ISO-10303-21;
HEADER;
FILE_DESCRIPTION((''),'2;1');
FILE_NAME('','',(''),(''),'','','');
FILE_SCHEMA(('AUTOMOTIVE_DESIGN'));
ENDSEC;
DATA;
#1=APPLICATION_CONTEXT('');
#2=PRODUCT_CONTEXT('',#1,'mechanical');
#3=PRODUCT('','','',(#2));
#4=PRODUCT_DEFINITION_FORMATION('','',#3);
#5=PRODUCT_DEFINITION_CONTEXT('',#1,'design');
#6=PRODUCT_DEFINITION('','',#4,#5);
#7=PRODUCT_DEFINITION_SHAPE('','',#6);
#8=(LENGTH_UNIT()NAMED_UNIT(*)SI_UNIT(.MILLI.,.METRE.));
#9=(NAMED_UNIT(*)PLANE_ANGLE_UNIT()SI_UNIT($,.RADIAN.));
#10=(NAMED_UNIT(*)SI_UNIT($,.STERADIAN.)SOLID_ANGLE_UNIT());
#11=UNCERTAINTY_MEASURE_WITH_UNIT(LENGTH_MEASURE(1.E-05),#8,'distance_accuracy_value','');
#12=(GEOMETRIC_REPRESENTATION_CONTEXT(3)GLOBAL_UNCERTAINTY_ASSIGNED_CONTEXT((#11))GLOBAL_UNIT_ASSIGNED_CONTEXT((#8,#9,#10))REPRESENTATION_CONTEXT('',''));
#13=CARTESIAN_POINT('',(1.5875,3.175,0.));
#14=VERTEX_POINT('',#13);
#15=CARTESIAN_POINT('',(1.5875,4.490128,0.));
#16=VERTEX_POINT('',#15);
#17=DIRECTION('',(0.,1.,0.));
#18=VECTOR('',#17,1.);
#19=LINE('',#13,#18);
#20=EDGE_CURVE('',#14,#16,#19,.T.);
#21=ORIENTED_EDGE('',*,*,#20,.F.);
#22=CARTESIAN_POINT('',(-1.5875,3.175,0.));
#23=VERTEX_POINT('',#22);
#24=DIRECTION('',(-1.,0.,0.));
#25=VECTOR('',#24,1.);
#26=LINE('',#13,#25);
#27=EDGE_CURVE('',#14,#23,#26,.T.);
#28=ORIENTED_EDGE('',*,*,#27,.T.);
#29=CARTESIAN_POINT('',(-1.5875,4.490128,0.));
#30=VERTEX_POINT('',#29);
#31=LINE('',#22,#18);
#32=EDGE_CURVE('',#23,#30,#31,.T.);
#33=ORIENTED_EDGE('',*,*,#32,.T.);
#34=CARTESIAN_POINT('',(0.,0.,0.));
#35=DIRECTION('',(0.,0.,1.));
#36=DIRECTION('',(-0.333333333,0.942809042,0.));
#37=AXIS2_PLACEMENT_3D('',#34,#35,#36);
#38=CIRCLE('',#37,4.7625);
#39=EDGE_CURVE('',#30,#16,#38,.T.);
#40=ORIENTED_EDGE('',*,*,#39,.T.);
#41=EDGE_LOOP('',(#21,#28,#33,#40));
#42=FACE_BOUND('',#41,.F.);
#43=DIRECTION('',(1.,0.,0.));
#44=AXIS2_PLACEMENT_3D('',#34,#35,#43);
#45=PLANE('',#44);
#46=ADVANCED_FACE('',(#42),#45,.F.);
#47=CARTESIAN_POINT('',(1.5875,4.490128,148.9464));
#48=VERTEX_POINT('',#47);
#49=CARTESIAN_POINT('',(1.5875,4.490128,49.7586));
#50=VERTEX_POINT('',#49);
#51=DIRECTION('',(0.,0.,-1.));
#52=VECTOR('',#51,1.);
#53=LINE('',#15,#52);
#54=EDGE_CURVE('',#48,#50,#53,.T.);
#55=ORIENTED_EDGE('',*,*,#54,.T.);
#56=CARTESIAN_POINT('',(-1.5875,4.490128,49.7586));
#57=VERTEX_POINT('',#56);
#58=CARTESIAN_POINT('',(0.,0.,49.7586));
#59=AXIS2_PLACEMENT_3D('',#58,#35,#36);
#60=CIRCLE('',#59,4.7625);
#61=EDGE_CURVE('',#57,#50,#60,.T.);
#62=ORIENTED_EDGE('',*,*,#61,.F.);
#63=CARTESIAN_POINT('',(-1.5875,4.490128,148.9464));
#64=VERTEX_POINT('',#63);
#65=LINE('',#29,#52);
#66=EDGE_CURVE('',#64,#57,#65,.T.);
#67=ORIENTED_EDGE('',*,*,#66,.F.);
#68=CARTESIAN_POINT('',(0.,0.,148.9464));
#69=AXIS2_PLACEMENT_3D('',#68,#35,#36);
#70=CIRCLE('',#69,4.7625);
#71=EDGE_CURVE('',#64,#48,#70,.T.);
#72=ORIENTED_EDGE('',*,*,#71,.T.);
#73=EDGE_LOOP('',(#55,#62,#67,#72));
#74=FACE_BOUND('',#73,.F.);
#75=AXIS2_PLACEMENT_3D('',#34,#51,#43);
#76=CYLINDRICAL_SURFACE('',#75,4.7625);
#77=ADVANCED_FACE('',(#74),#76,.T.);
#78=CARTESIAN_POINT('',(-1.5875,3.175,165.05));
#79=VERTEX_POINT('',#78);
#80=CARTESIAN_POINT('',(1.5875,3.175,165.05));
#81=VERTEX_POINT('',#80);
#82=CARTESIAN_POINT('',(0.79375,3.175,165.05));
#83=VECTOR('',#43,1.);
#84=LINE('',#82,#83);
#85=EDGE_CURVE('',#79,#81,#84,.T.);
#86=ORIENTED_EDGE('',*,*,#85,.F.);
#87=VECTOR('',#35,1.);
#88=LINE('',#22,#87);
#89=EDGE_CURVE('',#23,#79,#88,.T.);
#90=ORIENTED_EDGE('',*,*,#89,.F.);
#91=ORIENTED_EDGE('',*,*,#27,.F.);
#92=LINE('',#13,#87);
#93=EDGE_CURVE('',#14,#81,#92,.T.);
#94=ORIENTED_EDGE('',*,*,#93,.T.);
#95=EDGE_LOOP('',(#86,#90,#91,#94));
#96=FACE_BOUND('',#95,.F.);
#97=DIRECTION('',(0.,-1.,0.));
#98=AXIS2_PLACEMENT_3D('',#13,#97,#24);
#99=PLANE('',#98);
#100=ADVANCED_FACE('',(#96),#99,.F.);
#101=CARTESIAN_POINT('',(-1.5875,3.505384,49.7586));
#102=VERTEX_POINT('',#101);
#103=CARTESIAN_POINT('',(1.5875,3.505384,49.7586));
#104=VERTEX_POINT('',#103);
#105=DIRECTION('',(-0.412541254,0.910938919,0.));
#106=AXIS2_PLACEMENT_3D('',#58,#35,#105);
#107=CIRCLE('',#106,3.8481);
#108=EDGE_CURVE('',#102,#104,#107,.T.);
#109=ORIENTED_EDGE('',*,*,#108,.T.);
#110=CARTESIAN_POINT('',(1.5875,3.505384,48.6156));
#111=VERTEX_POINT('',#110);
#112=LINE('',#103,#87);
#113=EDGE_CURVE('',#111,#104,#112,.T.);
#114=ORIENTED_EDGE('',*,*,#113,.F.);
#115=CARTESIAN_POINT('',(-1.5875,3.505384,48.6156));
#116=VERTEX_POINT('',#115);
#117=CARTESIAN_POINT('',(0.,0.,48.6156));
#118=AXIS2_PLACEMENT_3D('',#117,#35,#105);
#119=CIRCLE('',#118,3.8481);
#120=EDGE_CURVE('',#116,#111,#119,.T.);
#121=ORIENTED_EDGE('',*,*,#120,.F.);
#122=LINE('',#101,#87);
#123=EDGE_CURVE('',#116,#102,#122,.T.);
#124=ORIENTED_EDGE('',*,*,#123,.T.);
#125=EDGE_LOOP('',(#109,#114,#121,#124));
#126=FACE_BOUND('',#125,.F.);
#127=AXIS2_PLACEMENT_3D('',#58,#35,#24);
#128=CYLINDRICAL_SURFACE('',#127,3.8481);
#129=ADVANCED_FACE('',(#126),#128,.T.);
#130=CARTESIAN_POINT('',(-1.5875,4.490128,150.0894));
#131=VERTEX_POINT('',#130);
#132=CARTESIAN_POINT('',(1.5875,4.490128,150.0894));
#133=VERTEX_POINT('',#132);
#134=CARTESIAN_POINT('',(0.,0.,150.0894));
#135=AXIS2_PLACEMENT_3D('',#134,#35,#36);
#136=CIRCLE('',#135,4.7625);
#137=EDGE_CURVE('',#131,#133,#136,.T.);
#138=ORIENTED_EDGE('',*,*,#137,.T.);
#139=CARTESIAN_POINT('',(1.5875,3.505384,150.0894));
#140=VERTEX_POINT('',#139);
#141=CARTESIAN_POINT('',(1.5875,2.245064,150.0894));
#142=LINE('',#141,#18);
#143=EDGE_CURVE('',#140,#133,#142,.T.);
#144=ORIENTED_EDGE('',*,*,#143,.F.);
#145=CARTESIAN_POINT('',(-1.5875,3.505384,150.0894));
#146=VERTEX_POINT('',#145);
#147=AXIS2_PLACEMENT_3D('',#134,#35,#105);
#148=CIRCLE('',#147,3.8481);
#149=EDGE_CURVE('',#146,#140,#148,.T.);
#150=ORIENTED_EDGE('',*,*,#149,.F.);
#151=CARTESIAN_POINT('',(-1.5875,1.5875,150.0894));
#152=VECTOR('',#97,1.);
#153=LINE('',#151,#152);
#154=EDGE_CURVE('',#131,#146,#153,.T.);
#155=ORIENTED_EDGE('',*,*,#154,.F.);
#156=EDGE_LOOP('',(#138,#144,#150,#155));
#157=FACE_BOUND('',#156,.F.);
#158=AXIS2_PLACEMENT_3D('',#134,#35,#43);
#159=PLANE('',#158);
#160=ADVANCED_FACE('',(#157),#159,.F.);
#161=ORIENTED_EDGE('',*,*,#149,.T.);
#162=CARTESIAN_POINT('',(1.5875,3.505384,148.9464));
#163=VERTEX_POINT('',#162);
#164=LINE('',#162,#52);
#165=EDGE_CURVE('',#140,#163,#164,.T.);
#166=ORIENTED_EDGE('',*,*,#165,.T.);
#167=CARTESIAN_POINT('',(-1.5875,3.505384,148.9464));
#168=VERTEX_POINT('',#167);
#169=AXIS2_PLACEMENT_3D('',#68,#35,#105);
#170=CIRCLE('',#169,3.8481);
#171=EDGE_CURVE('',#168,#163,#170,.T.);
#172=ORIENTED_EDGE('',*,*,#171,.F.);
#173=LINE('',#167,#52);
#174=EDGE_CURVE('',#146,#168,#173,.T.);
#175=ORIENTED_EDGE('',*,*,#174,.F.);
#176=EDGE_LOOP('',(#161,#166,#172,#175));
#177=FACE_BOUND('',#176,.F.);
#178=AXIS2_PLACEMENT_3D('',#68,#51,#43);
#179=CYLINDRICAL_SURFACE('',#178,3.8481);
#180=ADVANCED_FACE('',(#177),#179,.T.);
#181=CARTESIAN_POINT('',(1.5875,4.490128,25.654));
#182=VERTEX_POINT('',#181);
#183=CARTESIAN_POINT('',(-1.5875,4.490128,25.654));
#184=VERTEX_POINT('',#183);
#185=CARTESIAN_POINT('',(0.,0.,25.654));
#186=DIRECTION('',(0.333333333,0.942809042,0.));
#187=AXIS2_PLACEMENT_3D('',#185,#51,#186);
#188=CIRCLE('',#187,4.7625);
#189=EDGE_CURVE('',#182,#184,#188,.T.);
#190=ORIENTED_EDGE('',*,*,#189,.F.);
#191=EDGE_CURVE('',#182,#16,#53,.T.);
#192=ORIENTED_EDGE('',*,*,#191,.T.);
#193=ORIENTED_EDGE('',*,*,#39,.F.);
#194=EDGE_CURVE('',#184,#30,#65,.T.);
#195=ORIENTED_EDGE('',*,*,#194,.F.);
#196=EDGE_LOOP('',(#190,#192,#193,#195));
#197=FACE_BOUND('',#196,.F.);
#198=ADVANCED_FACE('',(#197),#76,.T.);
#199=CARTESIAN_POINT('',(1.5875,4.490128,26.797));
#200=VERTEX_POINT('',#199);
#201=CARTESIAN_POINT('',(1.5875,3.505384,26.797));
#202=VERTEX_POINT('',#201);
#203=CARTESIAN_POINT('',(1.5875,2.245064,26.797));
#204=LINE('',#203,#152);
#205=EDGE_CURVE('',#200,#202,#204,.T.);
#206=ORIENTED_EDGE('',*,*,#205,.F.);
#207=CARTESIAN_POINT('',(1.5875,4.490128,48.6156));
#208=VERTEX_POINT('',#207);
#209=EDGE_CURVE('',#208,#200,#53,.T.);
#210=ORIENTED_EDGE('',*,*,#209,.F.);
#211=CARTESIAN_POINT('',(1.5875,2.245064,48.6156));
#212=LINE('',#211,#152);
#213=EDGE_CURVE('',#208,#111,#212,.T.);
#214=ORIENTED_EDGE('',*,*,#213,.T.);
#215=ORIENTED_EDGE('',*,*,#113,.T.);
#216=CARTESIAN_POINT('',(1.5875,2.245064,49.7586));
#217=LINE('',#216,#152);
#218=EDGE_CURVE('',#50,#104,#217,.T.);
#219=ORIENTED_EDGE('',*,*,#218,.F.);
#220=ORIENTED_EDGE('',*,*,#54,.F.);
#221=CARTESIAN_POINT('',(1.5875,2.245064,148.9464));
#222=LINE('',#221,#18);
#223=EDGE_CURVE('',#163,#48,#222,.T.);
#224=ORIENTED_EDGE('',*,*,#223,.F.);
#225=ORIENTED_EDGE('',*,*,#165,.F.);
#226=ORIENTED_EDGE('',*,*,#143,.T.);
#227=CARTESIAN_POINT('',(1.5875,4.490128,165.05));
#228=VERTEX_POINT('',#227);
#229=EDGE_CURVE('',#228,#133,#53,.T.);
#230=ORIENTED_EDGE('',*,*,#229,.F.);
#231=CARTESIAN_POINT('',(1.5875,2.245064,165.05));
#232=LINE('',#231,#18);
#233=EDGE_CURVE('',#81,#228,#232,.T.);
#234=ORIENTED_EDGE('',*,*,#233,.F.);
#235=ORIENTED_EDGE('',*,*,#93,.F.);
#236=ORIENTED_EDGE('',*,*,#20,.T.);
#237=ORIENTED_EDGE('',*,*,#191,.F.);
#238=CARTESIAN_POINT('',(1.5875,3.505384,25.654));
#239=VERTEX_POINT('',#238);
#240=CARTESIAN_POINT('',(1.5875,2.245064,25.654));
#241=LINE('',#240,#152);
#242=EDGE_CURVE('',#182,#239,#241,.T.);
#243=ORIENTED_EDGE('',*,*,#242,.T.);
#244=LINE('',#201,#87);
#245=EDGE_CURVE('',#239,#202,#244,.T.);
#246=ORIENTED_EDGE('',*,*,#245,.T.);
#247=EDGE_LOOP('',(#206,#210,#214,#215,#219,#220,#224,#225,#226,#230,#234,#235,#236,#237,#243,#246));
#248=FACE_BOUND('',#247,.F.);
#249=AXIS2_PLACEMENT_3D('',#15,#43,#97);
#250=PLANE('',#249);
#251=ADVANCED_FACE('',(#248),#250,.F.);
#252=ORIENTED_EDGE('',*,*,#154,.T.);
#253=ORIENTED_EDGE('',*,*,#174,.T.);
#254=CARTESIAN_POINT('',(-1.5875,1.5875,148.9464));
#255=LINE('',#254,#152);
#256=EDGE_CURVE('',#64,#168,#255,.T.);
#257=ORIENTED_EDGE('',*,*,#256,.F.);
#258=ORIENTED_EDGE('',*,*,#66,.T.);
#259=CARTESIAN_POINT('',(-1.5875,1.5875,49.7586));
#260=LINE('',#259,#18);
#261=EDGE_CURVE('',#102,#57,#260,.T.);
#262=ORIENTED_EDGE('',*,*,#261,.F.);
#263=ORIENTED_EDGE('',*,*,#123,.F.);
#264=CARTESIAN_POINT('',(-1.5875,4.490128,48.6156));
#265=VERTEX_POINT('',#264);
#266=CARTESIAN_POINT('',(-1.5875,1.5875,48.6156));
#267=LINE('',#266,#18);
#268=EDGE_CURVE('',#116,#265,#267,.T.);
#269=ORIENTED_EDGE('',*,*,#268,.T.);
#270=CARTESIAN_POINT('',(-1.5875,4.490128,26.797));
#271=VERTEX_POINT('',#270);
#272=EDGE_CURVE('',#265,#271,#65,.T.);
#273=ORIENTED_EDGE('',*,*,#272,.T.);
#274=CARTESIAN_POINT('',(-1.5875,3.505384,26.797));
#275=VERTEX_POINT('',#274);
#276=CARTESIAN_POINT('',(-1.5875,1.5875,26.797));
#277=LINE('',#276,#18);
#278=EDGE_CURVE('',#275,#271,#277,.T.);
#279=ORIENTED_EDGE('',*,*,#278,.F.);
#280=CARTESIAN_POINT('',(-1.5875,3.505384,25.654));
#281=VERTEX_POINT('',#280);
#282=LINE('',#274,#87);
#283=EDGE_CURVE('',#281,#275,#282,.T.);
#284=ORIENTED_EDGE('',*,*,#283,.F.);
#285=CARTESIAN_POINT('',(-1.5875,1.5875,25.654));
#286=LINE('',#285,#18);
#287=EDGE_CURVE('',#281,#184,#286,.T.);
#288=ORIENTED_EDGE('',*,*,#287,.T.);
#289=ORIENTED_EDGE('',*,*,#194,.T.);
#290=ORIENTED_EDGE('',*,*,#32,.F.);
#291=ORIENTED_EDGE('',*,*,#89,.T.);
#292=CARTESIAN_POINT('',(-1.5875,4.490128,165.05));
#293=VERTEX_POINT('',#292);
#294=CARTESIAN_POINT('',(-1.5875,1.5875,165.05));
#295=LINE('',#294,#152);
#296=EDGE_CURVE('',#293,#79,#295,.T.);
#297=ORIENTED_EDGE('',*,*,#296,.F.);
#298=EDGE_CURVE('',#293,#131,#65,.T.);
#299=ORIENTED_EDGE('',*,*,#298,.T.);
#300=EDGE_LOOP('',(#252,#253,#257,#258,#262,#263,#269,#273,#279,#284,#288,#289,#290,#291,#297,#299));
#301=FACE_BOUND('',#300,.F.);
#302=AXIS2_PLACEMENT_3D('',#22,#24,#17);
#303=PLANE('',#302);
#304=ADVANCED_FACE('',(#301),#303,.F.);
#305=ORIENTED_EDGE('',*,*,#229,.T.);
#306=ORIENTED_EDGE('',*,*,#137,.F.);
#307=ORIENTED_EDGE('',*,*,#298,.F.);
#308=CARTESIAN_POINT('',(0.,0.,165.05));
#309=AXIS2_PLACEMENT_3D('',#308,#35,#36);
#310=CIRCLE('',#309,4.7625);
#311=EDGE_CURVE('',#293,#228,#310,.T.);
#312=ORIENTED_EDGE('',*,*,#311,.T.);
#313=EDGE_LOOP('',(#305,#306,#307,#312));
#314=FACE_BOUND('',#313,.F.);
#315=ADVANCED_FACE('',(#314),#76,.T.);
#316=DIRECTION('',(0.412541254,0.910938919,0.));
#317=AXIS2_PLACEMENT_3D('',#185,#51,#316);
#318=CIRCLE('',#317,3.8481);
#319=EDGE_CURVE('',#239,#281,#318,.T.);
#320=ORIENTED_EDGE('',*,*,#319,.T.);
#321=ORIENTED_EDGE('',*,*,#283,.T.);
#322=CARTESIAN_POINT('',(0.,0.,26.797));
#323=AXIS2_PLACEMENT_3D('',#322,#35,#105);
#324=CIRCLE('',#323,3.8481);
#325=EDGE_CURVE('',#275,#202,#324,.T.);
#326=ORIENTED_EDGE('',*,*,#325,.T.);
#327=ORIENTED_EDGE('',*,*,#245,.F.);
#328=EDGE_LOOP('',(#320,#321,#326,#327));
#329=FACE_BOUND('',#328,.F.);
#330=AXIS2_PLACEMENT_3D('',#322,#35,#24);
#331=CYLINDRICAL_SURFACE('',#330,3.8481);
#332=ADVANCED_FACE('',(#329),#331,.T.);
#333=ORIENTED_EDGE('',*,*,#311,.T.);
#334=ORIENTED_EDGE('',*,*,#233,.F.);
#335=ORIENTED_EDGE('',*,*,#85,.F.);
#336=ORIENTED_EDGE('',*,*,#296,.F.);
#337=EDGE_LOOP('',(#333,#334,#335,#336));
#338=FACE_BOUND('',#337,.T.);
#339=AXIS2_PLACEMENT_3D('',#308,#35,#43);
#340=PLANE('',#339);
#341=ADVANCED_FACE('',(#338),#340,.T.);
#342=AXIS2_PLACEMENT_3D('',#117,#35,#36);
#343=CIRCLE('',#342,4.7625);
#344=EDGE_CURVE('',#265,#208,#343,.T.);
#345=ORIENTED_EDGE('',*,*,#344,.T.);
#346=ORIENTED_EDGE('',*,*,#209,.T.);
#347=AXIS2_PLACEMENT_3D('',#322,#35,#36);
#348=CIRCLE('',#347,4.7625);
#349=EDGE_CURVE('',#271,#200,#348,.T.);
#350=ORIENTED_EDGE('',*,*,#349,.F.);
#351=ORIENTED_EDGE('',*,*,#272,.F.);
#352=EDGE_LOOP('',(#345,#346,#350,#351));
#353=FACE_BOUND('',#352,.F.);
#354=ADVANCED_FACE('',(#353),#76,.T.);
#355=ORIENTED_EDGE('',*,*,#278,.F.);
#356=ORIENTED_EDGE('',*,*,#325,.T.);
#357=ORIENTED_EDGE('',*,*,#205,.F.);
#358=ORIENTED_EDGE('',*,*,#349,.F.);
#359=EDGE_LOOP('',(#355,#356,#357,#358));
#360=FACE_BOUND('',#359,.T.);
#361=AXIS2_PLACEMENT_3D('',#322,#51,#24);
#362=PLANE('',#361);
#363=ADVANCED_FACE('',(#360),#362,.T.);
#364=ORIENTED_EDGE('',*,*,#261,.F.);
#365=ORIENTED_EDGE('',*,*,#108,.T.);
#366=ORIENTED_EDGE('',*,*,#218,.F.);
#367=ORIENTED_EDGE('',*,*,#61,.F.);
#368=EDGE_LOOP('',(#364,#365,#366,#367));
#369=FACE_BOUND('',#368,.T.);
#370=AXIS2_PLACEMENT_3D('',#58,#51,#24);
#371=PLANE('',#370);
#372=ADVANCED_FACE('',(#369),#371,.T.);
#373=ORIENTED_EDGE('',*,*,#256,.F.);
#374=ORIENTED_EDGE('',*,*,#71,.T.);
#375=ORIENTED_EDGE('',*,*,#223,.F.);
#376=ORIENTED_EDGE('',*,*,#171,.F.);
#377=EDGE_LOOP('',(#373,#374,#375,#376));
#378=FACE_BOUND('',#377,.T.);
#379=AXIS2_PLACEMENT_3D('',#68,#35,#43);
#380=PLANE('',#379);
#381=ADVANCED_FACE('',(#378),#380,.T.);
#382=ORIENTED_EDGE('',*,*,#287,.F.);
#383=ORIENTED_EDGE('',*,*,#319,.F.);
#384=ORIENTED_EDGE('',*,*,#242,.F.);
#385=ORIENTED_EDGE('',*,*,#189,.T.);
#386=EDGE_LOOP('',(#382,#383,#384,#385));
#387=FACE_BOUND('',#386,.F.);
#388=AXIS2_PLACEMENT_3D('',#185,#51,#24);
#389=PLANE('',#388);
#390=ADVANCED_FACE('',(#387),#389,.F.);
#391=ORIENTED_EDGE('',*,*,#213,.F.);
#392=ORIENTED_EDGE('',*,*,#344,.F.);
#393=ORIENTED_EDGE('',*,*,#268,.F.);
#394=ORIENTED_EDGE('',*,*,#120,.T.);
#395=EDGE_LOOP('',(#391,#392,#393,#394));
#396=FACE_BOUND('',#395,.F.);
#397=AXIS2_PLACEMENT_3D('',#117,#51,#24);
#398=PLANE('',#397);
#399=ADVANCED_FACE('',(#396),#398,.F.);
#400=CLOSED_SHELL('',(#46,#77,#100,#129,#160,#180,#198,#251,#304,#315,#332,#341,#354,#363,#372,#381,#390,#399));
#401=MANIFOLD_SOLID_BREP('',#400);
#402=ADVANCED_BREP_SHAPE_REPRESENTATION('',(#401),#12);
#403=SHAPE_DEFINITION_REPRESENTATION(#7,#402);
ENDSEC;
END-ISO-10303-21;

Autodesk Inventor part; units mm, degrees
sketch "Sketch1" plane through (0, 0, 0) normal (0, 0, 1) x (1, 0, 0)
  circle A0 centre (0, 0) radius 4.7625
  line L0 (-1.5875, 6.35) -> (1.5875, 6.35)
  line L1 (1.5875, 6.35) -> (1.5875, 3.175)
  line L2 (1.5875, 3.175) -> (-1.5875, 3.175)
  line L3 (-1.5875, 3.175) -> (-1.5875, 6.35)
  dimension "d0" = 9.525
  dimension "d43" = 3.175
  dimension "d44" = 3.175
  dimension "d45" = 1.5875
  dimension "d46" = 6.35
extrude "Extrusion1" add sketch "Sketch1" along normal blind 165.05 contours A0 L3 L2 L1 | L1 L2 L3 A0
ref_plane "Work Plane6" through (0, 0, 176.4284) normal (0, 0, 1) x (1, 0, 0)
ref_plane "Work Plane12" through (0, 0, 148.9464) normal (0, 0, 1) x (1, 0, 0)
sketch "Sketch10" plane through (0, 0, 148.9464) normal (0, 0, 1) x (1, 0, 0)
  circle A0 centre (0, 0) radius 3.8481 projected
  circle A1 centre (0, 0) radius 4.7625 projected
extrude "Extrusion11" cut sketch "Sketch10" along normal blind 1.143
ref_plane "Work Plane13" through (0, 0, 49.7586) normal (0, 0, -1) x (-1, 0, 0)
sketch "Sketch11" plane through (0, 0, 49.7586) normal (0, 0, -1) x (-1, 0, 0)
  circle A0 centre (0, 0) radius 4.7625 projected
  circle A1 centre (0, 0) radius 3.8481 projected
  circle A2 centre (0, 0) radius 4.7625 projected
extrude "Extrusion12" cut sketch "Sketch11" along normal blind 1.143
ref_plane "Work Plane14" through (0, 0, 26.797) normal (0, 0, -1) x (-1, 0, 0)
sketch "Sketch12" plane through (0, 0, 26.797) normal (0, 0, -1) x (-1, 0, 0)
  circle A0 centre (0, 0) radius 3.8481 projected
  circle A1 centre (0, 0) radius 4.7625 projected
extrude "Extrusion13" cut sketch "Sketch12" along normal blind 1.143
ref_plane "Work Plane15" through (0, 0, 148.921) normal (0, 0, 1) x (1, 0, 0)
extrude "Extrusion14" cut sketch "Sketch1" along normal through all contours L1 L2 L3 A0 | A0 L3 L0 L1 picked at (-0.1794, 3.694)
equation "\"d44\" = d43"
equation "\"d45\" = 0.5 * d43"
equation "\"d46\" = 0.5 * d0 + 0.5 * d43"
properties part number "vertical drive shaft"
